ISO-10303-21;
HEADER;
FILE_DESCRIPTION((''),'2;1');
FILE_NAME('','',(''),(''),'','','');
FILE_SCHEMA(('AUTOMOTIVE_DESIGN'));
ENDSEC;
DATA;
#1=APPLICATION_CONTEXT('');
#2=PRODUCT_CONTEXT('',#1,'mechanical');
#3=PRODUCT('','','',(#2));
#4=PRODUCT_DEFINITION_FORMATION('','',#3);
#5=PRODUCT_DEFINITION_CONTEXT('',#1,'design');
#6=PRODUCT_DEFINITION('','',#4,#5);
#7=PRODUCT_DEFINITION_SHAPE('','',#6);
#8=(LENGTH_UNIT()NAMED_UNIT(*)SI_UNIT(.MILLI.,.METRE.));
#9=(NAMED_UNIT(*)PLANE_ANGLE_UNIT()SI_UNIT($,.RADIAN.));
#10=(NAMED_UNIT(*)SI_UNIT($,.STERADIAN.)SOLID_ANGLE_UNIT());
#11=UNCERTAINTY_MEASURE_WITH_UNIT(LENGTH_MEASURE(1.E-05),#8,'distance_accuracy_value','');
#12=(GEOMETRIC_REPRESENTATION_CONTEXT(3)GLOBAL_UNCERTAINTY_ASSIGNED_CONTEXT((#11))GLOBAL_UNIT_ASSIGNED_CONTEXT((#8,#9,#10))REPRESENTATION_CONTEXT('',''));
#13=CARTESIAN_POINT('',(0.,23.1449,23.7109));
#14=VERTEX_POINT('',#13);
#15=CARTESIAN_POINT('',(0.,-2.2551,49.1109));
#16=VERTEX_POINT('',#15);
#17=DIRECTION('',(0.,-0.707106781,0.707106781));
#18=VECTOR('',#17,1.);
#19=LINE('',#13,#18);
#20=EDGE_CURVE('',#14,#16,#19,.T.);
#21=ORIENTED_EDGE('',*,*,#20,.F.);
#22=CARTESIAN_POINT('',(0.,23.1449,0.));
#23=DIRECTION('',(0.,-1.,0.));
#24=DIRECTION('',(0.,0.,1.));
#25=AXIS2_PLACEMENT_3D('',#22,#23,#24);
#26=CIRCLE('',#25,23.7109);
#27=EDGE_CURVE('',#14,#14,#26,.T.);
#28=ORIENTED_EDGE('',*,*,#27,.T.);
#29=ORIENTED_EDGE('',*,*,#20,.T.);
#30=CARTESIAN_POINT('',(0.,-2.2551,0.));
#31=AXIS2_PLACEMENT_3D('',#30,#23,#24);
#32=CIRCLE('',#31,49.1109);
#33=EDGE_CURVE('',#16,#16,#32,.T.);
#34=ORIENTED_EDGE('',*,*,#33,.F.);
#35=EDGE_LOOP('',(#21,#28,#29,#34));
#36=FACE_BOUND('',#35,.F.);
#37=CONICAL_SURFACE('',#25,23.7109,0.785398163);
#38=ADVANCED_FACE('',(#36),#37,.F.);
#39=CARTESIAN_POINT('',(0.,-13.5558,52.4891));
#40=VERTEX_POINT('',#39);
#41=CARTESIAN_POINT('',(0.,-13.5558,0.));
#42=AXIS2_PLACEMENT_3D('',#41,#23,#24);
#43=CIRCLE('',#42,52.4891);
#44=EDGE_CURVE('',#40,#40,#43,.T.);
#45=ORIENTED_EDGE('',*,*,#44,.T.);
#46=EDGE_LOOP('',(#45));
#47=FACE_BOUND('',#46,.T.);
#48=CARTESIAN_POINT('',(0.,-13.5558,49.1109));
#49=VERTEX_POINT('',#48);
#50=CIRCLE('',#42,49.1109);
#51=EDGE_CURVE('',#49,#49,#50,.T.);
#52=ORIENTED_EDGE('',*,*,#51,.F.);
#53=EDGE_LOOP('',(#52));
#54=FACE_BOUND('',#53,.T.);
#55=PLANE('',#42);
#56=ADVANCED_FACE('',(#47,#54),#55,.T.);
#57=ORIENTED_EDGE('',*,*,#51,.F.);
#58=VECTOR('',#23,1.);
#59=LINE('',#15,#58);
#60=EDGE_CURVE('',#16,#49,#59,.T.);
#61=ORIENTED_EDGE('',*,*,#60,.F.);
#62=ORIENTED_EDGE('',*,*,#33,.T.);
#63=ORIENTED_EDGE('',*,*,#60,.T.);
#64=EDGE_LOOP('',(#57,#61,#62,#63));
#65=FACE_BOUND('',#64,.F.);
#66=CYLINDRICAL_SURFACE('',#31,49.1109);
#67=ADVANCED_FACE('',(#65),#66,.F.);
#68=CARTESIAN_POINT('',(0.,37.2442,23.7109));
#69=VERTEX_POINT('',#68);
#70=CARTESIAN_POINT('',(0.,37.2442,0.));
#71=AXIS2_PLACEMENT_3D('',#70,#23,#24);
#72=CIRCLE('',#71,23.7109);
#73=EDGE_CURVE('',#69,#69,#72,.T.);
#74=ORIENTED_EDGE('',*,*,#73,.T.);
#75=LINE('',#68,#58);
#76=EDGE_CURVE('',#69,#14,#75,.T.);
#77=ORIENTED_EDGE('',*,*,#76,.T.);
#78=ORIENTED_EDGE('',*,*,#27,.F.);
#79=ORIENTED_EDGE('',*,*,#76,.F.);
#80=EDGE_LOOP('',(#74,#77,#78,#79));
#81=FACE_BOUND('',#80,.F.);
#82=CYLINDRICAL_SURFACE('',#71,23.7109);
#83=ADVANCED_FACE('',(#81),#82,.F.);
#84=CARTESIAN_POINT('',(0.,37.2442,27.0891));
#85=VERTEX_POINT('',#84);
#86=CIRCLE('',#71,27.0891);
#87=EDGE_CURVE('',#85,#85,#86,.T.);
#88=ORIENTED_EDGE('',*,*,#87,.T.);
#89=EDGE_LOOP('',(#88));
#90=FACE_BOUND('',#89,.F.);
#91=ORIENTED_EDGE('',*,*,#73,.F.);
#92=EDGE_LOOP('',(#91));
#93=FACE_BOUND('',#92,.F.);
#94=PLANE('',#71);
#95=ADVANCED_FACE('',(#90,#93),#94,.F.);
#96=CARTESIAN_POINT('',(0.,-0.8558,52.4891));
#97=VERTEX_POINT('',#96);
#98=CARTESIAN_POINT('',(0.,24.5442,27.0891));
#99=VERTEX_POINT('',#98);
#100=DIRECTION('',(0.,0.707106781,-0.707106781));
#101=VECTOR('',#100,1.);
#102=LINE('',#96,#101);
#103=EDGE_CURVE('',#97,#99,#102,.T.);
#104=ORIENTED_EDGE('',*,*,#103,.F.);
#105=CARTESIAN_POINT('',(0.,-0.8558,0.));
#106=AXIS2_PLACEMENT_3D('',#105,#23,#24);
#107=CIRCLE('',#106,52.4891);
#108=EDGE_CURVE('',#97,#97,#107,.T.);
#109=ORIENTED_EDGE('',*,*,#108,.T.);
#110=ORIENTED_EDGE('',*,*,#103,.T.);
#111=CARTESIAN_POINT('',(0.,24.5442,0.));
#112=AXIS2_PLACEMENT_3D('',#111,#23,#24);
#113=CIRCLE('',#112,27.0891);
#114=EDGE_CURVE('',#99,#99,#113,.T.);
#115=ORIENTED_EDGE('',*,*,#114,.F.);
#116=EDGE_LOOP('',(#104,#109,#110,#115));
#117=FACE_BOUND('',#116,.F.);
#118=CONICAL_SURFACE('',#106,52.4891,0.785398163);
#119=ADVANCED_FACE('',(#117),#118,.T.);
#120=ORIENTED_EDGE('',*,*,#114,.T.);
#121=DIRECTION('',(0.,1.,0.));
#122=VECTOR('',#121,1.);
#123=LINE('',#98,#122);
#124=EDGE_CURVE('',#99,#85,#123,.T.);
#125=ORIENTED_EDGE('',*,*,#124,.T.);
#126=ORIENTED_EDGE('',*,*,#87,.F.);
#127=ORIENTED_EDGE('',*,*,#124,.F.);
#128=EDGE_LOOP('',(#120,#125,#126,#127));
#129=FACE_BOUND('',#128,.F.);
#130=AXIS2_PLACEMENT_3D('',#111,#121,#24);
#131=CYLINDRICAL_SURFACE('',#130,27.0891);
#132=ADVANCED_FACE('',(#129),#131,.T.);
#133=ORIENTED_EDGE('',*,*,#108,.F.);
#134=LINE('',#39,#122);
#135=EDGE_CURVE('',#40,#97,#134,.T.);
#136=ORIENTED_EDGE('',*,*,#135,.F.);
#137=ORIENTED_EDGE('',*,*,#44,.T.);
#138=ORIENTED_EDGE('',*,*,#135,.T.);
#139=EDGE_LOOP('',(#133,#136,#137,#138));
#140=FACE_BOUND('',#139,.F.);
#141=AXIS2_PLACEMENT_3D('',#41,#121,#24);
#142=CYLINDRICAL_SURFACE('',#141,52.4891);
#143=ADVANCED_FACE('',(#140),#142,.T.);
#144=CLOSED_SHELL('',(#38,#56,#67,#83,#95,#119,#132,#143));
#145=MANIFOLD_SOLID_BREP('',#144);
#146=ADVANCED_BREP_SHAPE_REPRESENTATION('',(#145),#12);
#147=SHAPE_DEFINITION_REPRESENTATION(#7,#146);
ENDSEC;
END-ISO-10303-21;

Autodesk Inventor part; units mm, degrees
ref_plane "YZ Plane" through (0, 0, 0) normal (1, 0, 0) x (0, 1, 0)
ref_plane "XZ Plane" through (0, 0, 0) normal (0, 1, 0) x (-1, 0, 0)
ref_plane "XY Plane" through (0, 0, 0) normal (0, 0, 1) x (1, 0, 0)
sketch "Sketch1" plane through (0, 0, 0) normal (1, 0, 0) x (0, 1, 0)
  line L0 (50.8, 0) -> (-50.8, 0)
  line L1 (-13.5558, 52.4891) -> (-0.8558, 52.4891)
  line L2 (-0.8558, 52.4891) -> (24.5442, 27.0891)
  line L3 (24.5442, 27.0891) -> (37.2442, 27.0891)
  line L4 (37.2442, 23.7109) -> (23.1449, 23.7109)
  line L5 (23.1449, 23.7109) -> (-2.2551, 49.1109)
  line L6 (-2.2551, 49.1109) -> (-13.5558, 49.1109)
  line L7 (-13.5558, 52.4891) -> (-13.5558, 49.1109)
  line L8 (37.2442, 27.0891) -> (37.2442, 23.7109)
  point P0 (0, 0)
  dimension "d0" = 101.6
  dimension "d1" = 50.8
  dimension "d2" = 12.7
  dimension "d3" = 12.7
  dimension "d4" = 135
  dimension "d5" = 104.9782
  dimension "d6" = 54.1782
  dimension "d7" = 3.3782
revolve "Revolution1" add sketch "Sketch1" angle 360 about axis through (0, 50.8, 0) along (0, -1, 0)
equation "\"d1\" = 0.5 * d0"
properties part number "4IN to 2IN D Adapter"
